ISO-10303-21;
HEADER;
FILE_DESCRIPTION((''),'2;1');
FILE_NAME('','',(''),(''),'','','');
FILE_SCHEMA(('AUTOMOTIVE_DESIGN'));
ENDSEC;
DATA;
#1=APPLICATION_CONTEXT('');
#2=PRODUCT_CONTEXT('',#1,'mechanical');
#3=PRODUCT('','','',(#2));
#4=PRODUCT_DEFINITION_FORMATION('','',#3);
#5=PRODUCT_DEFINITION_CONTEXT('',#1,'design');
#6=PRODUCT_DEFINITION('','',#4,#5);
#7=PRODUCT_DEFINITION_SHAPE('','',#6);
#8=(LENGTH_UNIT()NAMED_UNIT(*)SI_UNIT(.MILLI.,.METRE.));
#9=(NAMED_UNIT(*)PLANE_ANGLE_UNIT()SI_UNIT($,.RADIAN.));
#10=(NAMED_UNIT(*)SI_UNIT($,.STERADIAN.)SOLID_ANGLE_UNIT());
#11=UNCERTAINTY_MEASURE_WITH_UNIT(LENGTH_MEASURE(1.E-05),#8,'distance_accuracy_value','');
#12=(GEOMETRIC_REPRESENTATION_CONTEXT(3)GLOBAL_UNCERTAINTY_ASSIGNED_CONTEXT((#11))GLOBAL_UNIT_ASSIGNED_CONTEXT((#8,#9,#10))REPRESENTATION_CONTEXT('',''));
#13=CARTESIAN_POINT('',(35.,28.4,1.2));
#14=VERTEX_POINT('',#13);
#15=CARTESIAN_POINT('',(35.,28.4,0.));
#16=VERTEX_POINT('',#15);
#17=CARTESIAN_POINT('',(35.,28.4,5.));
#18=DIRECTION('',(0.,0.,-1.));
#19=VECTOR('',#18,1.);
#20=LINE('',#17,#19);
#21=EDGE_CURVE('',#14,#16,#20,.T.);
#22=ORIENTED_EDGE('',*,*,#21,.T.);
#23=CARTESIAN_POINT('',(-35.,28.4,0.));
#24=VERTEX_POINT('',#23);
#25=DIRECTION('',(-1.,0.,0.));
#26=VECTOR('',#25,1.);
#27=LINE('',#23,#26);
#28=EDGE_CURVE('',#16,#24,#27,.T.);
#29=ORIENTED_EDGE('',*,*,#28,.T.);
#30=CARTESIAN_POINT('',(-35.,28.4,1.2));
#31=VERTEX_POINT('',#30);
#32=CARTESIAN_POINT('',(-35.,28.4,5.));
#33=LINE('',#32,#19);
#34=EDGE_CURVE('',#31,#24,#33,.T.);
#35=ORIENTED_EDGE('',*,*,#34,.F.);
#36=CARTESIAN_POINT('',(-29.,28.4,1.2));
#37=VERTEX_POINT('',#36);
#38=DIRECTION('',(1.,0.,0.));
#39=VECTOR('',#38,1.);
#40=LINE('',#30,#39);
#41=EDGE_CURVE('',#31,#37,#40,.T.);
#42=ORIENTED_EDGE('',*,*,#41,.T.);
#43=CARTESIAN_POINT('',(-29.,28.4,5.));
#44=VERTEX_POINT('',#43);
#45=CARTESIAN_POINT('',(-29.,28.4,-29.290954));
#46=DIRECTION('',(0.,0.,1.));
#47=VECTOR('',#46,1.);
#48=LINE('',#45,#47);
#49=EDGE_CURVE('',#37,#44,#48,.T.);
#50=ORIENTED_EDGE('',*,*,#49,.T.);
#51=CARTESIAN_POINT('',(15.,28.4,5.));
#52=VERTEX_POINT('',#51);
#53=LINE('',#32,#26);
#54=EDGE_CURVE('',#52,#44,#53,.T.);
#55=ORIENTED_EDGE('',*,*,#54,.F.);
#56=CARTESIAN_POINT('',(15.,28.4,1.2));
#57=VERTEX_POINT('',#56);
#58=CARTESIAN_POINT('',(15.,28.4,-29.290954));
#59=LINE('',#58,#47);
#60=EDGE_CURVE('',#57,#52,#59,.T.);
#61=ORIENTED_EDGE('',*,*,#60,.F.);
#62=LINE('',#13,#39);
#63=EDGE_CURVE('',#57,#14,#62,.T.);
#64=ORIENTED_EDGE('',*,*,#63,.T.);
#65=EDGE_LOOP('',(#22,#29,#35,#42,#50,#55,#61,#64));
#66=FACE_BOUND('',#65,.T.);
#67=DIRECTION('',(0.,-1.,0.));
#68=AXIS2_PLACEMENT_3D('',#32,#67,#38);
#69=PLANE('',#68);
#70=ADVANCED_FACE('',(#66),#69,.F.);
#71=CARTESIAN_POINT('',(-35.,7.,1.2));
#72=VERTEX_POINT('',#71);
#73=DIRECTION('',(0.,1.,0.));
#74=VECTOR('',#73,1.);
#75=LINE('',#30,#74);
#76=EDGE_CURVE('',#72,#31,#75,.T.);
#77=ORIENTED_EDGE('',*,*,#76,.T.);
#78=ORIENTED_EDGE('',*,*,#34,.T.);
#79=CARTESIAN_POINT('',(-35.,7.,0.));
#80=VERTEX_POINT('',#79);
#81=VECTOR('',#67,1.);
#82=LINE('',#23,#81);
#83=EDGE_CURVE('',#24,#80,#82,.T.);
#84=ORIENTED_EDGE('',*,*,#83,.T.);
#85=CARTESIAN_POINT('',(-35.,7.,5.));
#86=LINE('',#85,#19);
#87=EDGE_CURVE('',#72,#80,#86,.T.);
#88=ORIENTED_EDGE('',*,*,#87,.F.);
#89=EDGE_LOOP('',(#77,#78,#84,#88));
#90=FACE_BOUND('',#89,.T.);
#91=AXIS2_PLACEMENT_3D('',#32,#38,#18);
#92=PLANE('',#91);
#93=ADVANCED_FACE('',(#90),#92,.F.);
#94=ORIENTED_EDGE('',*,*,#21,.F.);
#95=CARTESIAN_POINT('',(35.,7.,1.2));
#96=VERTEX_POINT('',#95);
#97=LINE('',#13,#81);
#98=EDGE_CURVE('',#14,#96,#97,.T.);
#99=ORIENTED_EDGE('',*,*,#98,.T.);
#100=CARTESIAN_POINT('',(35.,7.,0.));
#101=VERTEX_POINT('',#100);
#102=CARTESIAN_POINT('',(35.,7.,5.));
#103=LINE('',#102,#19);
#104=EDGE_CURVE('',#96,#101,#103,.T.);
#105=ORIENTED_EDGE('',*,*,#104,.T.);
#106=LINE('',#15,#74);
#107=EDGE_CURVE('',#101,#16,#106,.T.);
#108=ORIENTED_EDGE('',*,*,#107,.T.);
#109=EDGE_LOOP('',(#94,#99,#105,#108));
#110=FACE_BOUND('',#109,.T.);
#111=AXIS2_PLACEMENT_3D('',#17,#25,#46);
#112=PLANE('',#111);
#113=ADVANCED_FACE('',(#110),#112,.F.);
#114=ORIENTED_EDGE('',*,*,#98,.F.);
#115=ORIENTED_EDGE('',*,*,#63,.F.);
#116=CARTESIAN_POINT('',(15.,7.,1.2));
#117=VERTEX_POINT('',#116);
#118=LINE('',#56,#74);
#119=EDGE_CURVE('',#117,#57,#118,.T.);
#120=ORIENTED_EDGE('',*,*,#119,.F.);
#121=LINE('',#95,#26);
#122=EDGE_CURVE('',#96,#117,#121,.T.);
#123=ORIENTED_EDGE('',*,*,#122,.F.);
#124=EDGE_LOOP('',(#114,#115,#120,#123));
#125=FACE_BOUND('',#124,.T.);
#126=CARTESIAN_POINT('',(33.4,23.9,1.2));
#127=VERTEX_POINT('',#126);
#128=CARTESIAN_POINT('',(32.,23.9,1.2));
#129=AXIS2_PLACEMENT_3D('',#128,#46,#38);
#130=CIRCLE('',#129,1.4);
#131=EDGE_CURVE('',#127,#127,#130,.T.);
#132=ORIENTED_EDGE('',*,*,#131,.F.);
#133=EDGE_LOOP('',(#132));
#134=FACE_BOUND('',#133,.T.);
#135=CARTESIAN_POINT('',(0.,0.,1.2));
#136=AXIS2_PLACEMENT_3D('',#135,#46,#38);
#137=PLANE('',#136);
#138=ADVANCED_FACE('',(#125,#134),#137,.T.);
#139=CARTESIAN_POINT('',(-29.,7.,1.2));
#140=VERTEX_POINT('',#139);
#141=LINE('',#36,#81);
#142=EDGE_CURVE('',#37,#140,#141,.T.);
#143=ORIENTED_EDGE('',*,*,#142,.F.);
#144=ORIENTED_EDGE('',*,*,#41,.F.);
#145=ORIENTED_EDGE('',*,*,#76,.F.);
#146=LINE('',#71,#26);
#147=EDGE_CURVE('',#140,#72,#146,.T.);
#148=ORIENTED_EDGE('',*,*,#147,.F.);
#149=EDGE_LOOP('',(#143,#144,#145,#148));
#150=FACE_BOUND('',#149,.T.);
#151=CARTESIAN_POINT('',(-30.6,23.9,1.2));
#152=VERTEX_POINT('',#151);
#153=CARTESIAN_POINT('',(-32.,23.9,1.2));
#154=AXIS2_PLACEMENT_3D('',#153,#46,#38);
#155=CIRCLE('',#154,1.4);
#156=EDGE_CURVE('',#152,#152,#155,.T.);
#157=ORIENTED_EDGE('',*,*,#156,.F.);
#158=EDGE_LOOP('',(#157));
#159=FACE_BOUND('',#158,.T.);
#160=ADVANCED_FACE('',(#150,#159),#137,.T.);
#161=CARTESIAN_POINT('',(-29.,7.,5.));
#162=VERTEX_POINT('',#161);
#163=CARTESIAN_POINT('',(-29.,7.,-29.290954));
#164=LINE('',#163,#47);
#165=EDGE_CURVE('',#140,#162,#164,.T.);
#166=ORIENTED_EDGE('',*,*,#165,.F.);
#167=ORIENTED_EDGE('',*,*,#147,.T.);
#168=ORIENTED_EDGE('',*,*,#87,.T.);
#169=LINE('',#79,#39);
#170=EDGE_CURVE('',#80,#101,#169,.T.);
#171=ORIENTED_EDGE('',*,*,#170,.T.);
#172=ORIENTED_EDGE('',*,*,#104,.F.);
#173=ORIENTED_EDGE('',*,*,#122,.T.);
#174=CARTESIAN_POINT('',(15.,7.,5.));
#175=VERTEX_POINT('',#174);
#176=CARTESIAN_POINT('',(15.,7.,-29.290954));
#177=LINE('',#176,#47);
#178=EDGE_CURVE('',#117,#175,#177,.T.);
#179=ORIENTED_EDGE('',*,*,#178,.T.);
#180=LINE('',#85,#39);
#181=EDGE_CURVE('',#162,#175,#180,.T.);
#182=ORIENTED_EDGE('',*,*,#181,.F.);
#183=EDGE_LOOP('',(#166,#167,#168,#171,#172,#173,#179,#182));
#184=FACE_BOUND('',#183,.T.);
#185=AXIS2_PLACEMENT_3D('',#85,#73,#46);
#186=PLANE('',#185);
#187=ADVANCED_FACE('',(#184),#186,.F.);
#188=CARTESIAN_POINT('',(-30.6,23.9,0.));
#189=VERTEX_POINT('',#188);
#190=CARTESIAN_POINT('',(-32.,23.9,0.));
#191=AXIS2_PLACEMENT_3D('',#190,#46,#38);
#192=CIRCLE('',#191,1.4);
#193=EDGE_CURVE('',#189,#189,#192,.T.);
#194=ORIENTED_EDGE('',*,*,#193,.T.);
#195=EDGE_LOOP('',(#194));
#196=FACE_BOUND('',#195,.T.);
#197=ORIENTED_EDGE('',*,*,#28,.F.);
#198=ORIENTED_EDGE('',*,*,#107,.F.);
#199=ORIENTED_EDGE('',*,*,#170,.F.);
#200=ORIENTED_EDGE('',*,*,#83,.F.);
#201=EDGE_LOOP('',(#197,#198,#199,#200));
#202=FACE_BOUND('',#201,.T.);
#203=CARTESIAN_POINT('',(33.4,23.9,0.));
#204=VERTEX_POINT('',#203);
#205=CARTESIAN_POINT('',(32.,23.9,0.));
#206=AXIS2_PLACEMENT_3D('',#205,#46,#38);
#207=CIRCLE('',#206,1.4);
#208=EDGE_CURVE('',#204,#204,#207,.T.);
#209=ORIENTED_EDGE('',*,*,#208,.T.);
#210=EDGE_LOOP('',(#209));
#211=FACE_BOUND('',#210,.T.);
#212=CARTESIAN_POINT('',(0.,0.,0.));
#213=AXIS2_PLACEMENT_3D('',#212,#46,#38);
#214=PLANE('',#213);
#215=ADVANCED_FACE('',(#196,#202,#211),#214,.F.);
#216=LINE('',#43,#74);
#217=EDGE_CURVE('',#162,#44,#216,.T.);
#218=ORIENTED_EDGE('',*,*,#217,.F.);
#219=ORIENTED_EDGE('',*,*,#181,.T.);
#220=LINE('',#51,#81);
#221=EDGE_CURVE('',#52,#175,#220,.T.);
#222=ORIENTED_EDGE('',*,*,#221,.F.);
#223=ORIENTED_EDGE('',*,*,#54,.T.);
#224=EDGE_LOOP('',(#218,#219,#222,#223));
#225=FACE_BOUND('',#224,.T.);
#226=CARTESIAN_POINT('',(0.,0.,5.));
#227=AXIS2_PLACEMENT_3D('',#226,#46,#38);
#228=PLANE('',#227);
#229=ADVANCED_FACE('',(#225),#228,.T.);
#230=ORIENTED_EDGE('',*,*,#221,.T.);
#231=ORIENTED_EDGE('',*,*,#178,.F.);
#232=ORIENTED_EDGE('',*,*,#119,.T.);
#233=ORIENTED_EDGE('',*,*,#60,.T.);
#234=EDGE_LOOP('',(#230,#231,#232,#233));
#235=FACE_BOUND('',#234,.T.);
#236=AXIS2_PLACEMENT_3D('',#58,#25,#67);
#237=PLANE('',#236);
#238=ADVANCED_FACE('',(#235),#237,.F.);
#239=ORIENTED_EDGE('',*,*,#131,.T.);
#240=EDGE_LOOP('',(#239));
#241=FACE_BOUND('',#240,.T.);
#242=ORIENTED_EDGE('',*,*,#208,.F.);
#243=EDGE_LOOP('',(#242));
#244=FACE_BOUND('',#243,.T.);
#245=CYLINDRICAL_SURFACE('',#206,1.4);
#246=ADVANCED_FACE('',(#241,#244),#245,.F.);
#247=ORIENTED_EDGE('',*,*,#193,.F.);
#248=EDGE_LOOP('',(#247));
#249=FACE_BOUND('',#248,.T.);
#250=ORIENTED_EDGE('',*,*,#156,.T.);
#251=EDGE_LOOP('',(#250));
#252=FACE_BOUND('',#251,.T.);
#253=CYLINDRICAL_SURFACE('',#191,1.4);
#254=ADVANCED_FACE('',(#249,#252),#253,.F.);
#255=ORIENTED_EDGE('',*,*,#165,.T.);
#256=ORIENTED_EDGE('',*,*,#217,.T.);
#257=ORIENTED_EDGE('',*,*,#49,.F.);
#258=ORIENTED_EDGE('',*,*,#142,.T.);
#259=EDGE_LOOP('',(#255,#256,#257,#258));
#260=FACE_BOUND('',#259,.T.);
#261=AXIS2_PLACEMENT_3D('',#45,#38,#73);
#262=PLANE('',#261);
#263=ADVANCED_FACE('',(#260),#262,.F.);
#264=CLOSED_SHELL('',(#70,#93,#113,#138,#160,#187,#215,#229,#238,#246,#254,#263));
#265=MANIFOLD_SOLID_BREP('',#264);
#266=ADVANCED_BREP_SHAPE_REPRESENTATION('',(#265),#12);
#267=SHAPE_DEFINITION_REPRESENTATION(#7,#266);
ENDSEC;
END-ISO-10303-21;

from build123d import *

# Parameters (mm, degrees)
SKETCH1_W           = 70
SKETCH1_H           = 21.4
BOSS_EXTRUDE1_DEPTH = 5
SKETCH2_W           = 6
SKETCH2_H           = 21.4
SKETCH2_W_2         = 20
CUT_EXTRUDE1_DEPTH  = 3.8
SKETCH3_R           = 1.4
CUT_EXTRUDE2_DEPTH  = 46.232731512


with BuildPart() as part:
    # Sketch1 → Boss-Extrude1 (new body)
    with BuildSketch(Plane.XY):
        with Locations((0, 17.7)):
            Rectangle(SKETCH1_W, SKETCH1_H)
    extrude(amount=BOSS_EXTRUDE1_DEPTH)

    # Sketch2 → Cut-Extrude1 (cut)
    with BuildSketch(Plane.XY.offset(5)):
        with Locations((-32, 17.7)):
            Rectangle(SKETCH2_W, SKETCH2_H)
        with Locations((25, 17.7)):
            Rectangle(SKETCH2_W_2, SKETCH2_H)
    extrude(amount=-CUT_EXTRUDE1_DEPTH, mode=Mode.SUBTRACT)

    # Sketch3 → Cut-Extrude2 (cut, through all)
    with BuildSketch(Plane.XY.offset(1.2)):
        with Locations((32, 23.9)):
            Circle(SKETCH3_R)
        with Locations((-32, 23.9)):
            Circle(SKETCH3_R)
    extrude(amount=-CUT_EXTRUDE2_DEPTH, mode=Mode.SUBTRACT)


solid = part.part
